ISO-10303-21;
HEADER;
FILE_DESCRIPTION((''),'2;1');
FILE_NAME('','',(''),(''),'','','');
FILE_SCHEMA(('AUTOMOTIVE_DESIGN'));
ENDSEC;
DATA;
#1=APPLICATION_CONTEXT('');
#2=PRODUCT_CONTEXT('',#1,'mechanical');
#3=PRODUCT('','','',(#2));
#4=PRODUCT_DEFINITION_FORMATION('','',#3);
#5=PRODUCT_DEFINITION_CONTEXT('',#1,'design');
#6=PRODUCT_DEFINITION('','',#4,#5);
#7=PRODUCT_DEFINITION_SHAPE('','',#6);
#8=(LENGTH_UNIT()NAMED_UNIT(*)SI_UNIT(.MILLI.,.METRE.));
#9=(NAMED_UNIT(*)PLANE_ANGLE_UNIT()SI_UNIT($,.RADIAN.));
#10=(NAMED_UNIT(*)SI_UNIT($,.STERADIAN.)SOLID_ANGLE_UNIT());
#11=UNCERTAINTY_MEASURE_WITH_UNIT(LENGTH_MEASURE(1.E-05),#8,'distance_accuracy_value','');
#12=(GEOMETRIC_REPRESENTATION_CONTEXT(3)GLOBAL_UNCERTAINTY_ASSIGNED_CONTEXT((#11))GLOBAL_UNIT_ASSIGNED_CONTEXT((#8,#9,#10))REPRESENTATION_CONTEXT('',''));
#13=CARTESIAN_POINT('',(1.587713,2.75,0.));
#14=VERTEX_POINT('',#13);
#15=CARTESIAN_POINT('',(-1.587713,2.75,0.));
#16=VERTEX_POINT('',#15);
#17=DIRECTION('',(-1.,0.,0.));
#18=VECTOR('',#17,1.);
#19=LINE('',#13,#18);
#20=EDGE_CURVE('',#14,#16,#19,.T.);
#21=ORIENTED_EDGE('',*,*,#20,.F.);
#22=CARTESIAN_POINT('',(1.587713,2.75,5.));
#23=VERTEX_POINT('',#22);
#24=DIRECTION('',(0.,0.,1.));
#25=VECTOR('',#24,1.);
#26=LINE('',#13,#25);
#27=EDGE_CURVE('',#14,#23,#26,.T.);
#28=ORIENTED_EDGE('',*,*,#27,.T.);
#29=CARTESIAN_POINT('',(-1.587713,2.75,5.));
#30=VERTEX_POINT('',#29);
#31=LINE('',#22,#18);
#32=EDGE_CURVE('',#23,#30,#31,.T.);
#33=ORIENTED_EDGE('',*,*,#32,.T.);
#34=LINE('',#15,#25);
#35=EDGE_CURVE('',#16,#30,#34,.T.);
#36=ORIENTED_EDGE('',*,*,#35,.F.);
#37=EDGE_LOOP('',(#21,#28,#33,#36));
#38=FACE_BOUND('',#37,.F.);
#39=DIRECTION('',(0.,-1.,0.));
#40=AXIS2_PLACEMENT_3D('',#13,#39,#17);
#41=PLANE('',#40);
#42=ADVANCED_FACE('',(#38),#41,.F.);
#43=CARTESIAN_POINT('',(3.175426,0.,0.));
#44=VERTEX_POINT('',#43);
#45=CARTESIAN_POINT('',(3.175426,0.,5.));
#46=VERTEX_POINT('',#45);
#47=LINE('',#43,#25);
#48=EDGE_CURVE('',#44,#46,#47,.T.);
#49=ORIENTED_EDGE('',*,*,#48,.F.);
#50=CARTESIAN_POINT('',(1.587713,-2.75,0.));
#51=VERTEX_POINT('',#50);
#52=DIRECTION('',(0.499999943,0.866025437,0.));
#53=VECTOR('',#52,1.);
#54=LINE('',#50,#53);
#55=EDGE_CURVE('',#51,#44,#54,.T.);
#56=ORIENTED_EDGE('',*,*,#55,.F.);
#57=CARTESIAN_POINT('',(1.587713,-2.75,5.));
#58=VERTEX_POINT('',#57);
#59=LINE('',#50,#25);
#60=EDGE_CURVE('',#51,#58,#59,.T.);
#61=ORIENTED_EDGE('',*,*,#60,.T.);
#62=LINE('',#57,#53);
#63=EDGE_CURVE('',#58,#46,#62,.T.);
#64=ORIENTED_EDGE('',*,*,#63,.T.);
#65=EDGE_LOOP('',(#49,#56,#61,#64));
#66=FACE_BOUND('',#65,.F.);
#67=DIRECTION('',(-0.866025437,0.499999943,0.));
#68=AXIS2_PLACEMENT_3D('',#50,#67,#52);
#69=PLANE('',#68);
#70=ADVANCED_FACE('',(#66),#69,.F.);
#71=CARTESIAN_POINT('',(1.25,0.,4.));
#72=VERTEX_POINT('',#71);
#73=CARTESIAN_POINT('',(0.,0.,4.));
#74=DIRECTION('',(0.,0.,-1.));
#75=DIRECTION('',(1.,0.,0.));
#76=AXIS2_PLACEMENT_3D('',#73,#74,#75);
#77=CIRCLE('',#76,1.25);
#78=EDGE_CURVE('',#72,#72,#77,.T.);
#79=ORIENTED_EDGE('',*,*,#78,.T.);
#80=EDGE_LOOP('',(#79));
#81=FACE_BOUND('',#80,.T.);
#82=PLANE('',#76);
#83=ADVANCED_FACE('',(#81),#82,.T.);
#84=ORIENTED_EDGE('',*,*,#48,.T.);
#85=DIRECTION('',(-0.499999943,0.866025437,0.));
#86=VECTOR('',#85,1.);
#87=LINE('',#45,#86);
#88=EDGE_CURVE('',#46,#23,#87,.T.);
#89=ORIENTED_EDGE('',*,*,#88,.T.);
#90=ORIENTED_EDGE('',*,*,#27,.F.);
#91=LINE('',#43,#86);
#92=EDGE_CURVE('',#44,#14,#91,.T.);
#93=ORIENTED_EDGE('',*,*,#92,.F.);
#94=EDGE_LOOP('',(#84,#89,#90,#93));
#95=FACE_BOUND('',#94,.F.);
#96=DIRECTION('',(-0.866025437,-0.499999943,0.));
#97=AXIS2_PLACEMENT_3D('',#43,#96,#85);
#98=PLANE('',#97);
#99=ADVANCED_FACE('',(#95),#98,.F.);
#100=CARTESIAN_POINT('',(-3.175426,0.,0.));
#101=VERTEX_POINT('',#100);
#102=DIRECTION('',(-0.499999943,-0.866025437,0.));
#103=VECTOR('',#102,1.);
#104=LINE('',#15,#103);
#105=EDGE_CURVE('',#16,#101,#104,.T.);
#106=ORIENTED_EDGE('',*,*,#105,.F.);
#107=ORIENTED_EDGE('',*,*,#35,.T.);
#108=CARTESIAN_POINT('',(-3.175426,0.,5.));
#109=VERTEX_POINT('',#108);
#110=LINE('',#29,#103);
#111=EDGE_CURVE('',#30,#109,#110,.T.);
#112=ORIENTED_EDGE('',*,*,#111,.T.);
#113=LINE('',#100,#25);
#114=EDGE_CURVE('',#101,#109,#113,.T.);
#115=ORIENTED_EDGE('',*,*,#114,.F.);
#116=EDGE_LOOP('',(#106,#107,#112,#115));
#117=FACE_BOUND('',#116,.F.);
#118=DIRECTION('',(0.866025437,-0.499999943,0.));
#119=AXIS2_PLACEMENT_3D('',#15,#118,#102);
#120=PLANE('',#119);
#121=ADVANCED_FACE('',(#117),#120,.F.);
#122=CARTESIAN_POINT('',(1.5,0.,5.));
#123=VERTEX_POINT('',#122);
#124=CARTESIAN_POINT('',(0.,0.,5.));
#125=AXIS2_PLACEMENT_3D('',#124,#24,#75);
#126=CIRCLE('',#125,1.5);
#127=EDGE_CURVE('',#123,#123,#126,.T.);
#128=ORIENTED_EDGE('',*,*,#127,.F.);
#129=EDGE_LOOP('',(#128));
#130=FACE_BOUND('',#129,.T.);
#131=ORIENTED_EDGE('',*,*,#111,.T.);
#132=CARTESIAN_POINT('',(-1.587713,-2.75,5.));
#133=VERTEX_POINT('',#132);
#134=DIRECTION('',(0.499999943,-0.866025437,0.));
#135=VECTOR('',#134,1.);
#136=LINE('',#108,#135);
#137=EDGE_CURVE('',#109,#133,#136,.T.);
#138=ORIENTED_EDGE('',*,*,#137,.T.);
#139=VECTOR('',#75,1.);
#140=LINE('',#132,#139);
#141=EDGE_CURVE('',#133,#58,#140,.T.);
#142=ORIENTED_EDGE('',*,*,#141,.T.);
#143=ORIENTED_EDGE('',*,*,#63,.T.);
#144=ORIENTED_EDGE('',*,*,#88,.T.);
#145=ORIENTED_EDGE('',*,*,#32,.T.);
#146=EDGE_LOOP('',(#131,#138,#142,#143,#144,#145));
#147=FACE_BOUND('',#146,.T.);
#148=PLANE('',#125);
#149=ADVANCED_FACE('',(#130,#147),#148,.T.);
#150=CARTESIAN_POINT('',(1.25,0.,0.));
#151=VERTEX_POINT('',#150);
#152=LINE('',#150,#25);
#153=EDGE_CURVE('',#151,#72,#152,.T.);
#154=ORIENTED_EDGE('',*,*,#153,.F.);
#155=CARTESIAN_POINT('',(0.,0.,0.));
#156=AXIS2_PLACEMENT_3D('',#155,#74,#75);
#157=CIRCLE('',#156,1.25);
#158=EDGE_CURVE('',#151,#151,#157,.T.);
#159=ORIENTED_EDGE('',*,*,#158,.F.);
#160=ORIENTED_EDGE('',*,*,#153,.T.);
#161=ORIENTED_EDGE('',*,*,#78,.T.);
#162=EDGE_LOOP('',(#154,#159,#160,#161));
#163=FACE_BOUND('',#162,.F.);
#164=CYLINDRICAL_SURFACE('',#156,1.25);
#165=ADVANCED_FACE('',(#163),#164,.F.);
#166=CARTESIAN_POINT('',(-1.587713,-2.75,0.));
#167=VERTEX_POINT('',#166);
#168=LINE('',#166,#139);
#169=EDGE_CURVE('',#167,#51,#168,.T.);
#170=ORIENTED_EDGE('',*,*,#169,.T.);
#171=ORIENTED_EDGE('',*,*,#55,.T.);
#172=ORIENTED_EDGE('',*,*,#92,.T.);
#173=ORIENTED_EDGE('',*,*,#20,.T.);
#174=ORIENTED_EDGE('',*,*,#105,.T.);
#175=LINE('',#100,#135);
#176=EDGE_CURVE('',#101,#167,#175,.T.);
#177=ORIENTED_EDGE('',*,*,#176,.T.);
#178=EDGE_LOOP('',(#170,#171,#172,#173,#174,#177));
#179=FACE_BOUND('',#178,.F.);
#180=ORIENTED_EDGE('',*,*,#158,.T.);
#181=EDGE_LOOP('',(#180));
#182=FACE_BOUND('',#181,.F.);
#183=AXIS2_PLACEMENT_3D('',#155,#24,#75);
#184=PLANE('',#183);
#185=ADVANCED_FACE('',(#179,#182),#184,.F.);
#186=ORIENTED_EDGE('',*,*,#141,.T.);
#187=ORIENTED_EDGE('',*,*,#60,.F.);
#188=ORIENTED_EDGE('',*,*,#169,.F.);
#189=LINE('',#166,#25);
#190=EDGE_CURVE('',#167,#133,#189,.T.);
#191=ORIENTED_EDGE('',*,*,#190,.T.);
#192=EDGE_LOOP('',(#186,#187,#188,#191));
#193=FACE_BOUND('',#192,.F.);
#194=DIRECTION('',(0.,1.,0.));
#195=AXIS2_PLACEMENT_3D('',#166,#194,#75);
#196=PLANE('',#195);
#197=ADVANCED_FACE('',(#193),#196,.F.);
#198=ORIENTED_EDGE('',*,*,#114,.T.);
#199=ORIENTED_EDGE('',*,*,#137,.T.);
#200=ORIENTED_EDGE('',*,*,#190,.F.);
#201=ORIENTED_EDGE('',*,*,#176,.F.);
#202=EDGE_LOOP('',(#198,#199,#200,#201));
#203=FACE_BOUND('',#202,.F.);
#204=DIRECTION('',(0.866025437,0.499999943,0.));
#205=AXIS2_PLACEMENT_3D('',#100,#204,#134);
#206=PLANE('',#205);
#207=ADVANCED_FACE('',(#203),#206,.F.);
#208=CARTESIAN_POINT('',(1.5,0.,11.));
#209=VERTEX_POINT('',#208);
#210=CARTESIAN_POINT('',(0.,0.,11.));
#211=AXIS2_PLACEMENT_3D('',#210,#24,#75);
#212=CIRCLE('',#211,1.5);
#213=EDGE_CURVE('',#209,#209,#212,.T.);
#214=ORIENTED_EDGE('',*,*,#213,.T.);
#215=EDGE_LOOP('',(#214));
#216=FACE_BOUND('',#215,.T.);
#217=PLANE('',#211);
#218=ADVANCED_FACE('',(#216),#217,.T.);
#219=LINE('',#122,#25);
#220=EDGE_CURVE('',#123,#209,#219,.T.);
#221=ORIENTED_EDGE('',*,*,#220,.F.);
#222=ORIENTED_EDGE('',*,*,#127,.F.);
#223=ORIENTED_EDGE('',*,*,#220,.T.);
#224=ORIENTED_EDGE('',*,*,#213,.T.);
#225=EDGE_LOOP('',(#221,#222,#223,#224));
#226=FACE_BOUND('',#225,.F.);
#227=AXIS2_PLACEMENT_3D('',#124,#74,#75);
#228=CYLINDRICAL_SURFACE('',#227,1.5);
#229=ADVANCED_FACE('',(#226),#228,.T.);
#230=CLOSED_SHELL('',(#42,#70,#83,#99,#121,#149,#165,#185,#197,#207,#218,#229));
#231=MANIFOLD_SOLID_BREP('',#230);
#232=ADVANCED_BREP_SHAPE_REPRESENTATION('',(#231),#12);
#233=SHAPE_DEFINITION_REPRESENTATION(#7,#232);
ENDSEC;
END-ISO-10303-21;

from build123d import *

# Parameters (mm, degrees)
F1_DEPTH = 5
F2_R     = 1.5
F3_DEPTH = 6
F4_R     = 1.25
F5_DEPTH = 4


with BuildPart() as f1:
    # F0 (on Top) → F1 (new body)
    with BuildSketch(Plane.XY):
        Polygon((1.587713, 2.75), (-1.587713, 2.75), (-3.175426, 0), (-1.587713, -2.75), (1.587713, -2.75), (3.175426, 0), align=None)
    extrude(amount=F1_DEPTH)

    # F2 (on face) → F3 (join)
    with BuildSketch(Plane.XY.offset(5)):
        Circle(F2_R)
    extrude(amount=F3_DEPTH)

    # F4 (on face) → F5 (cut)
    with BuildSketch(Plane(origin=(0, 0, 0), x_dir=(1, 0, 0), z_dir=(0, 0, -1))):
        Circle(F4_R)
    extrude(amount=-F5_DEPTH, mode=Mode.SUBTRACT)


solid = f1.part
